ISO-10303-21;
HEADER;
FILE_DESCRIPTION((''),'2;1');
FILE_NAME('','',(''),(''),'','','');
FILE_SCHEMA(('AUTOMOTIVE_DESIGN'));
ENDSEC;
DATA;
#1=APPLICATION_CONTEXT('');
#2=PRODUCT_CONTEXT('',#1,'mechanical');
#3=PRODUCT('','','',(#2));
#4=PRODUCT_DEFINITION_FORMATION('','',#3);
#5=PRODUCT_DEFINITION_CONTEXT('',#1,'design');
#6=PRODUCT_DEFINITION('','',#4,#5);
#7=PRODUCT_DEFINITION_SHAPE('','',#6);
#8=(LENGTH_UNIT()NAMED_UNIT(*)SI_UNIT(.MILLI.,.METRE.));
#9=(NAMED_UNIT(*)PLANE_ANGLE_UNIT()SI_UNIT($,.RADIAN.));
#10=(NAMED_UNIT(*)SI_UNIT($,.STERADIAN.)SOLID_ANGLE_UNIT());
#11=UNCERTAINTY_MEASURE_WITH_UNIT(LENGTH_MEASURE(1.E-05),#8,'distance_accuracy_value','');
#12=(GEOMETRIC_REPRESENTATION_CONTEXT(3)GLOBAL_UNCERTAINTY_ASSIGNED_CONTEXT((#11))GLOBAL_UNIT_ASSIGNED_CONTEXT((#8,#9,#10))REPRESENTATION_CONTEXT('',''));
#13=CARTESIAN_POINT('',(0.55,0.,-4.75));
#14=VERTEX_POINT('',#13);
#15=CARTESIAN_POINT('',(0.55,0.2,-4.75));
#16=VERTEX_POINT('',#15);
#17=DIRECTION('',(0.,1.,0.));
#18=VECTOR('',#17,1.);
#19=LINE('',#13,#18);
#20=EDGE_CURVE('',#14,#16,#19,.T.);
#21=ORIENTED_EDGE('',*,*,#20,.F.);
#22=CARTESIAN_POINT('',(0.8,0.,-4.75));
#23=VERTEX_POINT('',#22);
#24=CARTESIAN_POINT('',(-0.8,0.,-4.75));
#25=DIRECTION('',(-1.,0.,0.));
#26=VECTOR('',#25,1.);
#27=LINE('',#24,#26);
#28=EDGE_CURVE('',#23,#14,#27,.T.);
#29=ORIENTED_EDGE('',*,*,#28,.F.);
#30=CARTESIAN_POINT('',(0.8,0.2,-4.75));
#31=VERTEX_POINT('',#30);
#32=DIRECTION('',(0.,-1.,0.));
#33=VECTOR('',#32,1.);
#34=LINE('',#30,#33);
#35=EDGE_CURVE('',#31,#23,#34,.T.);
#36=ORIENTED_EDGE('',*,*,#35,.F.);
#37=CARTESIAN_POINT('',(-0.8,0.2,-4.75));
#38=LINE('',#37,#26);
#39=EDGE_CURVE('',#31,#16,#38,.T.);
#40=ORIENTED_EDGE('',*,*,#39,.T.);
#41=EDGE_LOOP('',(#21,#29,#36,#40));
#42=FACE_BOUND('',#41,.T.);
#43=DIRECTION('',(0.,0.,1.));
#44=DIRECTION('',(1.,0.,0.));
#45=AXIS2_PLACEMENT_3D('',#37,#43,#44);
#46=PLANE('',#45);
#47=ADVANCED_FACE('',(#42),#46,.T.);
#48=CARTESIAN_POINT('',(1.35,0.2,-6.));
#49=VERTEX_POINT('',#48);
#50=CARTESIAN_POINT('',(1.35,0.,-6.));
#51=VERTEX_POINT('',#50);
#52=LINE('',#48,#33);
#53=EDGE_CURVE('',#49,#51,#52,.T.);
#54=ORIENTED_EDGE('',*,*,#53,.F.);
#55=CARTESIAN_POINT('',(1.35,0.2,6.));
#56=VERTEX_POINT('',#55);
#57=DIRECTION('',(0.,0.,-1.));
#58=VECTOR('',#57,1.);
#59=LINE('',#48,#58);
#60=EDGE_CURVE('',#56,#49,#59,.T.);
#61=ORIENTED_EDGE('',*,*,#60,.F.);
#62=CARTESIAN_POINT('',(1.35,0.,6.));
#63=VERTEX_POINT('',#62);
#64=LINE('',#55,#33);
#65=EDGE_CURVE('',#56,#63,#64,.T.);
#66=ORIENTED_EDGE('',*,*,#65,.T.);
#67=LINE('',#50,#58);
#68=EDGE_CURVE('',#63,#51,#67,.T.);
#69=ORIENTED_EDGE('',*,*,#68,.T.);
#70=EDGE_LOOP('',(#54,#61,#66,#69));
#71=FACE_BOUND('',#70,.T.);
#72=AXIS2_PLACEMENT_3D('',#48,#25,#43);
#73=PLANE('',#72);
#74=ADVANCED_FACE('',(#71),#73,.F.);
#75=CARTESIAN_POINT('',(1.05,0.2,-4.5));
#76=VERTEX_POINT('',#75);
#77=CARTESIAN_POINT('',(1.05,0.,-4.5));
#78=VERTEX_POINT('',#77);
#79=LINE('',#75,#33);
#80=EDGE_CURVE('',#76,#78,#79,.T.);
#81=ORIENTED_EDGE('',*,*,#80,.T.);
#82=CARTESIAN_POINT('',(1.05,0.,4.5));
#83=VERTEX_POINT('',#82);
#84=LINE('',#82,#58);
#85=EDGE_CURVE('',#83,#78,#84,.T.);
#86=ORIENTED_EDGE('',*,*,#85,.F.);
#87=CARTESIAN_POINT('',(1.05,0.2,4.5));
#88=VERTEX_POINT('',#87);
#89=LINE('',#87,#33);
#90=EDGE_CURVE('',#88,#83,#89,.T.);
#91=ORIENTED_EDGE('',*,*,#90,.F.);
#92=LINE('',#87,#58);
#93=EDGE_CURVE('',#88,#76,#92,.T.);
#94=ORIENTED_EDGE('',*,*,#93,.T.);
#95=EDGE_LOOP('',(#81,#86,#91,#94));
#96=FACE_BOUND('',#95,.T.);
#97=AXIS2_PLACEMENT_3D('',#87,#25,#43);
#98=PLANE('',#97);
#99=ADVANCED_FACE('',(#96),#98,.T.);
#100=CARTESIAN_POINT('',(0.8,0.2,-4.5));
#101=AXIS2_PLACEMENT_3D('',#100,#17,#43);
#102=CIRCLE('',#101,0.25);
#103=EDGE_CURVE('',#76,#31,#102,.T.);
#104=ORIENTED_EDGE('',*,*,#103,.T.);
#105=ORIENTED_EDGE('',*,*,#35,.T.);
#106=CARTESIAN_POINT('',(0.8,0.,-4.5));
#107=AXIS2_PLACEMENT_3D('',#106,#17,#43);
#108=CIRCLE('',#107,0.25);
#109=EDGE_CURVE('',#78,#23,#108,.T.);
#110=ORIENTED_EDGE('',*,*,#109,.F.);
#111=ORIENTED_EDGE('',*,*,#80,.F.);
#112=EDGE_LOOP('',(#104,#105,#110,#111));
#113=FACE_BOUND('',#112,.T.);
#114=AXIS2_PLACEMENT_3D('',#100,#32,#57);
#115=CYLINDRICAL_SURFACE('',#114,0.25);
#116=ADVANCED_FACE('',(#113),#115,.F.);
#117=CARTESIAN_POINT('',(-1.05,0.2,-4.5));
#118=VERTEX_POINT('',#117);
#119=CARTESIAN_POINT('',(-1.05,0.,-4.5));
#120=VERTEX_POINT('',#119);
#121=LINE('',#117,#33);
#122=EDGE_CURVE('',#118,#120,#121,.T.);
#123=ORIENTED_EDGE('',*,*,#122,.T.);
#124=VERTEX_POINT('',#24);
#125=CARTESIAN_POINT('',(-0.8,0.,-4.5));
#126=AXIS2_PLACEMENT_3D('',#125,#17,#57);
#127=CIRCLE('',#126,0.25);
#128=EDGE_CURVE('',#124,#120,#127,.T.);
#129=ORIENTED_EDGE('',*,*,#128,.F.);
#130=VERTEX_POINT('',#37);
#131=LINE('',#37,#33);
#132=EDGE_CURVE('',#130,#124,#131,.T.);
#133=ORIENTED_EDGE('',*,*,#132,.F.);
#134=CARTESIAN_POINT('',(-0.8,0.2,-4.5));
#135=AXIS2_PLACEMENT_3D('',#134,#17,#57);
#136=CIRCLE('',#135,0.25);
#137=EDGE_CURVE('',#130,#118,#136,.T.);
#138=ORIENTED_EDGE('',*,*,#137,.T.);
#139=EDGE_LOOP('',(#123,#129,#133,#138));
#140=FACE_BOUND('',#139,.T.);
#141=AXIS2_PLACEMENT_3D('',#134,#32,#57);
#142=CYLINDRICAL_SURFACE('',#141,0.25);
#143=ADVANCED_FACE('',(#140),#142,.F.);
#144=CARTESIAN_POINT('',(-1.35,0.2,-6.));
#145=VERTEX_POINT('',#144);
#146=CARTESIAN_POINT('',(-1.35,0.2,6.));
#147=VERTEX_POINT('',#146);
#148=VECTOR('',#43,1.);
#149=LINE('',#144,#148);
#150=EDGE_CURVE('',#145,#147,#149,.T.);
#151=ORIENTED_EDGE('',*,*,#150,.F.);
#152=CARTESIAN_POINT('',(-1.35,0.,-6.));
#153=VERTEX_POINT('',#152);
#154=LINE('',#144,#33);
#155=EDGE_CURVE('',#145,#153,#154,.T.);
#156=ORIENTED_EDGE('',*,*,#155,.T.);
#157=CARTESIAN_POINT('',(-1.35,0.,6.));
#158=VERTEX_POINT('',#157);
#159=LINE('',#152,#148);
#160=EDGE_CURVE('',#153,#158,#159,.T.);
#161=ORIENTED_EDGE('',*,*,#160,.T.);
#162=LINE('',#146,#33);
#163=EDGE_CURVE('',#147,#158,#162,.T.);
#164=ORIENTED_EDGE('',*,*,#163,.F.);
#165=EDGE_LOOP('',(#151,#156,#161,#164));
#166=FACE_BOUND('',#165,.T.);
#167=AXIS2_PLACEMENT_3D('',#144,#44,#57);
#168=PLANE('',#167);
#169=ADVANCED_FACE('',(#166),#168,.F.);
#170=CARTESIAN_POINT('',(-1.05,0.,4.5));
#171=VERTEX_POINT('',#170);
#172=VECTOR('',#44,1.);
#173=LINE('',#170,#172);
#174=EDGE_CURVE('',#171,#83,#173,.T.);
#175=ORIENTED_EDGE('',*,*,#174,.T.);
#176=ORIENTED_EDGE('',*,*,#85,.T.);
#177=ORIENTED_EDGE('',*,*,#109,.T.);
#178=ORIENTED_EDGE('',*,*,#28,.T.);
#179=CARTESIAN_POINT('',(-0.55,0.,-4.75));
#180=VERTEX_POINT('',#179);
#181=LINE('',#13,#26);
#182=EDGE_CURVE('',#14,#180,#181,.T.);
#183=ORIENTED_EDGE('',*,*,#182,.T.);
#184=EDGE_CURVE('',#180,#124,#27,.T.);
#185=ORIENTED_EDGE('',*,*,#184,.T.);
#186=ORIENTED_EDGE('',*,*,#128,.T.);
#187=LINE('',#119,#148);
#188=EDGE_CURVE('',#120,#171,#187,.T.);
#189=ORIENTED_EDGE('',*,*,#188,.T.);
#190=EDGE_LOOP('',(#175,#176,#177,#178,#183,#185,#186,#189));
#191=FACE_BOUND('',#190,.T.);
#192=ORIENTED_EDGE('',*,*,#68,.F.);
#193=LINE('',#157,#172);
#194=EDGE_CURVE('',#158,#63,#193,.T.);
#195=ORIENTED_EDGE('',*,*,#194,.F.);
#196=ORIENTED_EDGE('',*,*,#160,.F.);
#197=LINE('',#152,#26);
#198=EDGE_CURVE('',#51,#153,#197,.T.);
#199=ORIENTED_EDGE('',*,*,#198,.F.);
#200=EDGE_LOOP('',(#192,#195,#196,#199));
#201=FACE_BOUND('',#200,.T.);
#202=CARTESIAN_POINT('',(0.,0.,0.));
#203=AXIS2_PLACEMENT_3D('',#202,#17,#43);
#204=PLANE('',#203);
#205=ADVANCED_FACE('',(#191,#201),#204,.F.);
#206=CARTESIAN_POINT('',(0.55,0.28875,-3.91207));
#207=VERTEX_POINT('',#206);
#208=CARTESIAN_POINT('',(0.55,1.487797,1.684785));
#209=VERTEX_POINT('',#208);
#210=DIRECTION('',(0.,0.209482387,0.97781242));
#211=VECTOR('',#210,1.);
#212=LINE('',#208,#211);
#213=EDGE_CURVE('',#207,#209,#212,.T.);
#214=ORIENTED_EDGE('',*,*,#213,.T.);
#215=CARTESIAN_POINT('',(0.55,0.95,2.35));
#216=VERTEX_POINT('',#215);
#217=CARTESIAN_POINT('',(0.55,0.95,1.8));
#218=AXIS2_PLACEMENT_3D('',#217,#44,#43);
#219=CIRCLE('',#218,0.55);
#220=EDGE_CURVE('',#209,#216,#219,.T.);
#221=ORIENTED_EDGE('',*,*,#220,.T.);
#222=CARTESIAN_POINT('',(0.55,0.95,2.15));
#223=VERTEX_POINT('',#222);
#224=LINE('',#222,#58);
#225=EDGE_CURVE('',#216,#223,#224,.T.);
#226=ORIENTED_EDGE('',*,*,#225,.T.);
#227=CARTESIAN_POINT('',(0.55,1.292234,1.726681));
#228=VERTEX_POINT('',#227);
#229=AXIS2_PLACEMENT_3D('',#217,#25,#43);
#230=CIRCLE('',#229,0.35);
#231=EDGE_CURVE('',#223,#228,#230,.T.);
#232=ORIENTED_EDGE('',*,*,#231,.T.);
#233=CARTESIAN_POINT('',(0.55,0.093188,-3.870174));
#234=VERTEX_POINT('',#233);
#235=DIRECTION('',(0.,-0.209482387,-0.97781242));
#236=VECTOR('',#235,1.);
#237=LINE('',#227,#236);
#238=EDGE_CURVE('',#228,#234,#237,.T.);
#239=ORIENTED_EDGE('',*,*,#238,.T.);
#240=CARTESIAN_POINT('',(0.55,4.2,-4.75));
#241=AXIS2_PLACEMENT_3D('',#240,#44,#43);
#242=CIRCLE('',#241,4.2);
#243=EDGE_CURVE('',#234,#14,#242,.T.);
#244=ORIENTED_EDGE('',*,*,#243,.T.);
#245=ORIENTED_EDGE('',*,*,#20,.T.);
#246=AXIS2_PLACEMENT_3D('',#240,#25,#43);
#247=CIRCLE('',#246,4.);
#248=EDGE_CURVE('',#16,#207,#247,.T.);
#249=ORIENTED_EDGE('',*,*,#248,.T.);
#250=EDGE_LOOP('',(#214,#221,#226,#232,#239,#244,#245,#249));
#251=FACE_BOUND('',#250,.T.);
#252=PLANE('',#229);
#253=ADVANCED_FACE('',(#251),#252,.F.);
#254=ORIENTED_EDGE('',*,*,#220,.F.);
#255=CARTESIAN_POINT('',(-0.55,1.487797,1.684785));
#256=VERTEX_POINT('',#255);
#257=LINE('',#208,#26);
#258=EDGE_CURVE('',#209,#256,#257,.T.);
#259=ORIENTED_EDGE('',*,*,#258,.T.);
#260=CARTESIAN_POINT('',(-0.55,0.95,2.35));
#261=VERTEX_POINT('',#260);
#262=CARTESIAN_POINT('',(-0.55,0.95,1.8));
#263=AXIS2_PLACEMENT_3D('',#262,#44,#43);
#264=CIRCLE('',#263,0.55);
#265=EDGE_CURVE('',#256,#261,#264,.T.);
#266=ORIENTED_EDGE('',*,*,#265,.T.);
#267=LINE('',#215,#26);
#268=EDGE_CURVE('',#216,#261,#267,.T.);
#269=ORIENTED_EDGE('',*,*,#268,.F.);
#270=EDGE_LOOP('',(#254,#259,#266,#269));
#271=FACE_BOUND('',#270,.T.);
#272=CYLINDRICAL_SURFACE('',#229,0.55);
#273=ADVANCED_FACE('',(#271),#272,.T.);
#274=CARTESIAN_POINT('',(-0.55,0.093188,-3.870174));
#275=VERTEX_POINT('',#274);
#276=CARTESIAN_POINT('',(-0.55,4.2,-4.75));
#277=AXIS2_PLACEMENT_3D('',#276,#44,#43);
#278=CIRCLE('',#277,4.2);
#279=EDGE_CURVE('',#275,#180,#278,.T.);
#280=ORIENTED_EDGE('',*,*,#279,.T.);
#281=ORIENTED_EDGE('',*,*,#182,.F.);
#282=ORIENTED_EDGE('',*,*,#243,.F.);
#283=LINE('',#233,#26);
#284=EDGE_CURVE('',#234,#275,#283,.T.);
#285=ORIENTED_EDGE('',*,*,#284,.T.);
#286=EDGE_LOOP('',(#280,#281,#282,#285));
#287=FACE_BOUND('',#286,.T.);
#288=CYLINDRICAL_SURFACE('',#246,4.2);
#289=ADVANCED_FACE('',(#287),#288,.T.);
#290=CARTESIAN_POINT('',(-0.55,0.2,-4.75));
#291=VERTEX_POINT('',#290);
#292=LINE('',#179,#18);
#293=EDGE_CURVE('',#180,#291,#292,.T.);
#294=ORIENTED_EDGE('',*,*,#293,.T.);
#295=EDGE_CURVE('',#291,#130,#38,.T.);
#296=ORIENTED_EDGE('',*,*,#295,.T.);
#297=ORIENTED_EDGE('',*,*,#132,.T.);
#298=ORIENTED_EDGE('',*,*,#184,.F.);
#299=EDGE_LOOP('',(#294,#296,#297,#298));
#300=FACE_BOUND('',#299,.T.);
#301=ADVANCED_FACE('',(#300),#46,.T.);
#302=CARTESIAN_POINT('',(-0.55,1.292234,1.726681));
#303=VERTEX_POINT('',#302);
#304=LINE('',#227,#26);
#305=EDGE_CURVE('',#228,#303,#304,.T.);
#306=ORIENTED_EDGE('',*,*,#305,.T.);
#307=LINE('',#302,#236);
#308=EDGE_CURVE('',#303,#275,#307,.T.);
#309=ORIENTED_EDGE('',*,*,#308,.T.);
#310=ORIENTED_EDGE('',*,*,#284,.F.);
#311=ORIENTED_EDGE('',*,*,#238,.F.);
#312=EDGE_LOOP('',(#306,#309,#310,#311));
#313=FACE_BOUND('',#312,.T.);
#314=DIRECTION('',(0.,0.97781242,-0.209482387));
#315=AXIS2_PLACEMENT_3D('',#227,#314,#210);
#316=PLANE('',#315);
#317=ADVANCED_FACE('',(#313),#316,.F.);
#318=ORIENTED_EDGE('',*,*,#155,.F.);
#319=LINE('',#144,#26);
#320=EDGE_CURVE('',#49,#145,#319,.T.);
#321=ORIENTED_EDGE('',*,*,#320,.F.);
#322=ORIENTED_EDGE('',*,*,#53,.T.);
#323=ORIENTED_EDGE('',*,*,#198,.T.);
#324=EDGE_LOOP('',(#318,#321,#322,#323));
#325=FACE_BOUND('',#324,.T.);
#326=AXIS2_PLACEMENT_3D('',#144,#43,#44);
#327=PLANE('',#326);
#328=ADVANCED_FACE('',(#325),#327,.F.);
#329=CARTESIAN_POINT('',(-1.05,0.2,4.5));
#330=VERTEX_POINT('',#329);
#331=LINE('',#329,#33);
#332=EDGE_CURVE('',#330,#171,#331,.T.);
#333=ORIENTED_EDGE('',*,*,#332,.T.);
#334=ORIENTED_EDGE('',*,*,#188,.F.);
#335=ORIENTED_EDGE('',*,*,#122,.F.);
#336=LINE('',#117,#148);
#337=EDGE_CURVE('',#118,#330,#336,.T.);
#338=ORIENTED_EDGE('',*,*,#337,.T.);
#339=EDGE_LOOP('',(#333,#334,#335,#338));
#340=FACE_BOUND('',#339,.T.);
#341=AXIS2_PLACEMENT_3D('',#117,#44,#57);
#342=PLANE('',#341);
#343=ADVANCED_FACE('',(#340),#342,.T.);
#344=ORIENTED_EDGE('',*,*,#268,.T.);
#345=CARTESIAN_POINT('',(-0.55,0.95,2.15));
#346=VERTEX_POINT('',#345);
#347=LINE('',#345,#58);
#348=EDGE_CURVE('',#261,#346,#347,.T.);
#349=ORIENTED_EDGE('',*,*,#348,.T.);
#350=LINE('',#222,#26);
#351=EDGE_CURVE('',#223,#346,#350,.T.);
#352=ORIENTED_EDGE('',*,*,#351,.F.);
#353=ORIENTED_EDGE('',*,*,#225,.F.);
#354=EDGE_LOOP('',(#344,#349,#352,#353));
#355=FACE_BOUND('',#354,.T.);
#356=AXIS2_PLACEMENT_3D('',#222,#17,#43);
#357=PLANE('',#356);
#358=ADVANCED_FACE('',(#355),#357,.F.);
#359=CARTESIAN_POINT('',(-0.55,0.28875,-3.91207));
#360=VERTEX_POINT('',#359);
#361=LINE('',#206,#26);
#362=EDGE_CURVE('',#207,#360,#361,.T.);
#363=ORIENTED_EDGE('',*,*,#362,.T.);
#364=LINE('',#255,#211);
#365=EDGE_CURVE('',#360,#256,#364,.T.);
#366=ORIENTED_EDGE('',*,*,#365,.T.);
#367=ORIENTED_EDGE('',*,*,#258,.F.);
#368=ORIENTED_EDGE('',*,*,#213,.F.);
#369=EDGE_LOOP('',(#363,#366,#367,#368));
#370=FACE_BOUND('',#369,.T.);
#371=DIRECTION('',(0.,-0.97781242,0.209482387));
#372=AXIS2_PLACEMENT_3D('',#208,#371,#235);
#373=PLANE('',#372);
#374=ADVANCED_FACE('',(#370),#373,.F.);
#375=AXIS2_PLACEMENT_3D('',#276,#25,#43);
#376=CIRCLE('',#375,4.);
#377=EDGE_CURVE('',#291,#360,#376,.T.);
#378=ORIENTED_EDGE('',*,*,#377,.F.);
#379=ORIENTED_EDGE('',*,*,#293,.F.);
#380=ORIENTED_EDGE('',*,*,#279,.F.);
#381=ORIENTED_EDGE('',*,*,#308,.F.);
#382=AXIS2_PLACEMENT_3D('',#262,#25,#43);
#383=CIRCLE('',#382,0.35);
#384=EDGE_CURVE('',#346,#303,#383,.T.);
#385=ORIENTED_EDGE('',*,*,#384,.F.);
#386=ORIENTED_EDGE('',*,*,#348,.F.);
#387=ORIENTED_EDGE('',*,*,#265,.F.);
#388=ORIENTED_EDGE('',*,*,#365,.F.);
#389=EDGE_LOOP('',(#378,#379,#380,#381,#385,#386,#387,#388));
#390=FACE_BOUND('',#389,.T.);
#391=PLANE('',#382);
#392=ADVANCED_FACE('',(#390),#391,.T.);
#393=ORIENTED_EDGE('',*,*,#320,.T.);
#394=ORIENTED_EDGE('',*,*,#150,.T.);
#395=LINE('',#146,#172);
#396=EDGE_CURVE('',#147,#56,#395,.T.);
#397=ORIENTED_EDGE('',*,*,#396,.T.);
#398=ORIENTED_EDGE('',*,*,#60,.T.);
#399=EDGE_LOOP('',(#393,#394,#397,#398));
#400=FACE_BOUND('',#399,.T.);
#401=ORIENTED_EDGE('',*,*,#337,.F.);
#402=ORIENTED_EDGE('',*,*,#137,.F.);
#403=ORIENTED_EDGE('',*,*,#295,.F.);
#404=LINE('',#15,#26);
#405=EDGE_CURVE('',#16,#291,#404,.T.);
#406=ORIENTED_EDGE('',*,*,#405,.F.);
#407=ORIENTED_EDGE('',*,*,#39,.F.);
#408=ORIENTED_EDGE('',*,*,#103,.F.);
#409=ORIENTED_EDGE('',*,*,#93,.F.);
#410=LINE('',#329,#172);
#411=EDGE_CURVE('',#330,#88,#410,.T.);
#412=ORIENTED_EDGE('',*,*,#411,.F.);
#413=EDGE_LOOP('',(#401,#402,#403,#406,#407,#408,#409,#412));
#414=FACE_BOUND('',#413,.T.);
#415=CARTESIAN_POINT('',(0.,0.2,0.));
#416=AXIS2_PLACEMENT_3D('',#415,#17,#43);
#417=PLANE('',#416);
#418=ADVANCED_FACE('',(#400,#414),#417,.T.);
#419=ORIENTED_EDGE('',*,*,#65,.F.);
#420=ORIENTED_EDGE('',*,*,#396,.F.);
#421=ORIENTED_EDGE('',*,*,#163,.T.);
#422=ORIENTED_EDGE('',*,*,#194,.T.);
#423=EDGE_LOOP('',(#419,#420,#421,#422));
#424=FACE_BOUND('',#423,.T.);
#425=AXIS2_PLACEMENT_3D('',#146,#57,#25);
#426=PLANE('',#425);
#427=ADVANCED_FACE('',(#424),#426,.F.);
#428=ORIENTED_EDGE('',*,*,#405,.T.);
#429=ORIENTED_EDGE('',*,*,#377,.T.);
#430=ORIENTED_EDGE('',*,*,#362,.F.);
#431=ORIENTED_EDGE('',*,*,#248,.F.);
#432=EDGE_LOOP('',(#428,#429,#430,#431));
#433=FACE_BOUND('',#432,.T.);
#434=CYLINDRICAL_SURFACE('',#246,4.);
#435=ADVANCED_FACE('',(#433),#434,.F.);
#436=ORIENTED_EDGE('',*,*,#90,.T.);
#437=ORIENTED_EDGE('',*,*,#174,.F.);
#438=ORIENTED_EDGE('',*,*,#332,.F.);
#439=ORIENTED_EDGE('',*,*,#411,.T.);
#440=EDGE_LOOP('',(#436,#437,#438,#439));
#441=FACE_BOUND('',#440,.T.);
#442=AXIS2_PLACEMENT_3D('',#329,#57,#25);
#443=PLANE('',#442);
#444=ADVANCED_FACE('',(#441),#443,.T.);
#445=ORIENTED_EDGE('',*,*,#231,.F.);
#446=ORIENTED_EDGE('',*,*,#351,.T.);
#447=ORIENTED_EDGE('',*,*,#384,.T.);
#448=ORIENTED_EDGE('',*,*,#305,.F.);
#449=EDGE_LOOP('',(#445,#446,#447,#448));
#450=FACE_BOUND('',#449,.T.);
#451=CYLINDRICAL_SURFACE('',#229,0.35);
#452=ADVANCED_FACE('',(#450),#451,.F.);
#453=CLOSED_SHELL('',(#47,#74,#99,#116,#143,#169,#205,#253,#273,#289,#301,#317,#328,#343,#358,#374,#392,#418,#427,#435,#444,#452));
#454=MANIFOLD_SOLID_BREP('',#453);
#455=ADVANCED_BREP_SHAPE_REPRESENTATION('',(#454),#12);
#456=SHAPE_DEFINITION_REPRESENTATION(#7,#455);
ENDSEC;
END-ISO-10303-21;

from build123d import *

# Parameters (mm, degrees)
SKETCH1_W           = 2.7
SKETCH1_H           = 12
BOSS_EXTRUDE1_DEPTH = 0.2
CUT_EXTRUDE1_DEPTH  = 1.2
BOSS_EXTRUDE2_START = -0.55
BOSS_EXTRUDE2_DEPTH = 1.1


with BuildPart() as part:
    # Sketch1 → Boss-Extrude1 (new body)
    with BuildSketch(Plane(origin=(0, 0, 0), x_dir=(1, 0, 0), z_dir=(0, 1, 0))):
        Rectangle(SKETCH1_W, SKETCH1_H)
    extrude(amount=BOSS_EXTRUDE1_DEPTH)

    # Sketch2 → Cut-Extrude1 (cut, through all)
    with BuildSketch(Plane(origin=(0, 0, 0), x_dir=(1, 0, 0), z_dir=(0, 1, 0))):
        with BuildLine():
            Line((-1.05, 4.5), (-1.05, -4.5))
            Line((-1.05, -4.5), (1.05, -4.5))
            Line((1.05, -4.5), (1.05, 4.5))
            ThreePointArc((1.05, 4.5), (0.976776695, 4.676776695), (0.8, 4.75))
            Line((0.8, 4.75), (-0.8, 4.75))
            ThreePointArc((-0.8, 4.75), (-0.976776695, 4.676776695), (-1.05, 4.5))
        make_face()
    extrude(amount=CUT_EXTRUDE1_DEPTH, mode=Mode.SUBTRACT)

    # Sketch3 → Boss-Extrude2 (add)
    with BuildSketch(Plane(origin=(0, 0, 0), x_dir=(0, 0, -1), z_dir=(1, 0, 0)).offset(BOSS_EXTRUDE2_START)):
        with BuildLine():
            Line((4.75, 0), (4.75, 0.2))
            ThreePointArc((4.75, 0.2), (4.328691756, 0.222249459), (3.912070453, 0.288750318))
            Line((3.912070453, 0.288750318), (-1.684784687, 1.487796831))
            ThreePointArc((-1.684784687, 1.487796831), (-2.145782864, 1.377708091), (-2.35, 0.95))
            Line((-2.35, 0.95), (-2.15, 0.95))
            ThreePointArc((-2.15, 0.95), (-2.020043641, 1.222177876), (-1.726681165, 1.292234347))
            Line((-1.726681165, 1.292234347), (3.870173975, 0.093187834))
            ThreePointArc((3.870173975, 0.093187834), (4.307626344, 0.023361932), (4.75, 0))
        make_face()
    extrude(amount=BOSS_EXTRUDE2_DEPTH)


solid = part.part
